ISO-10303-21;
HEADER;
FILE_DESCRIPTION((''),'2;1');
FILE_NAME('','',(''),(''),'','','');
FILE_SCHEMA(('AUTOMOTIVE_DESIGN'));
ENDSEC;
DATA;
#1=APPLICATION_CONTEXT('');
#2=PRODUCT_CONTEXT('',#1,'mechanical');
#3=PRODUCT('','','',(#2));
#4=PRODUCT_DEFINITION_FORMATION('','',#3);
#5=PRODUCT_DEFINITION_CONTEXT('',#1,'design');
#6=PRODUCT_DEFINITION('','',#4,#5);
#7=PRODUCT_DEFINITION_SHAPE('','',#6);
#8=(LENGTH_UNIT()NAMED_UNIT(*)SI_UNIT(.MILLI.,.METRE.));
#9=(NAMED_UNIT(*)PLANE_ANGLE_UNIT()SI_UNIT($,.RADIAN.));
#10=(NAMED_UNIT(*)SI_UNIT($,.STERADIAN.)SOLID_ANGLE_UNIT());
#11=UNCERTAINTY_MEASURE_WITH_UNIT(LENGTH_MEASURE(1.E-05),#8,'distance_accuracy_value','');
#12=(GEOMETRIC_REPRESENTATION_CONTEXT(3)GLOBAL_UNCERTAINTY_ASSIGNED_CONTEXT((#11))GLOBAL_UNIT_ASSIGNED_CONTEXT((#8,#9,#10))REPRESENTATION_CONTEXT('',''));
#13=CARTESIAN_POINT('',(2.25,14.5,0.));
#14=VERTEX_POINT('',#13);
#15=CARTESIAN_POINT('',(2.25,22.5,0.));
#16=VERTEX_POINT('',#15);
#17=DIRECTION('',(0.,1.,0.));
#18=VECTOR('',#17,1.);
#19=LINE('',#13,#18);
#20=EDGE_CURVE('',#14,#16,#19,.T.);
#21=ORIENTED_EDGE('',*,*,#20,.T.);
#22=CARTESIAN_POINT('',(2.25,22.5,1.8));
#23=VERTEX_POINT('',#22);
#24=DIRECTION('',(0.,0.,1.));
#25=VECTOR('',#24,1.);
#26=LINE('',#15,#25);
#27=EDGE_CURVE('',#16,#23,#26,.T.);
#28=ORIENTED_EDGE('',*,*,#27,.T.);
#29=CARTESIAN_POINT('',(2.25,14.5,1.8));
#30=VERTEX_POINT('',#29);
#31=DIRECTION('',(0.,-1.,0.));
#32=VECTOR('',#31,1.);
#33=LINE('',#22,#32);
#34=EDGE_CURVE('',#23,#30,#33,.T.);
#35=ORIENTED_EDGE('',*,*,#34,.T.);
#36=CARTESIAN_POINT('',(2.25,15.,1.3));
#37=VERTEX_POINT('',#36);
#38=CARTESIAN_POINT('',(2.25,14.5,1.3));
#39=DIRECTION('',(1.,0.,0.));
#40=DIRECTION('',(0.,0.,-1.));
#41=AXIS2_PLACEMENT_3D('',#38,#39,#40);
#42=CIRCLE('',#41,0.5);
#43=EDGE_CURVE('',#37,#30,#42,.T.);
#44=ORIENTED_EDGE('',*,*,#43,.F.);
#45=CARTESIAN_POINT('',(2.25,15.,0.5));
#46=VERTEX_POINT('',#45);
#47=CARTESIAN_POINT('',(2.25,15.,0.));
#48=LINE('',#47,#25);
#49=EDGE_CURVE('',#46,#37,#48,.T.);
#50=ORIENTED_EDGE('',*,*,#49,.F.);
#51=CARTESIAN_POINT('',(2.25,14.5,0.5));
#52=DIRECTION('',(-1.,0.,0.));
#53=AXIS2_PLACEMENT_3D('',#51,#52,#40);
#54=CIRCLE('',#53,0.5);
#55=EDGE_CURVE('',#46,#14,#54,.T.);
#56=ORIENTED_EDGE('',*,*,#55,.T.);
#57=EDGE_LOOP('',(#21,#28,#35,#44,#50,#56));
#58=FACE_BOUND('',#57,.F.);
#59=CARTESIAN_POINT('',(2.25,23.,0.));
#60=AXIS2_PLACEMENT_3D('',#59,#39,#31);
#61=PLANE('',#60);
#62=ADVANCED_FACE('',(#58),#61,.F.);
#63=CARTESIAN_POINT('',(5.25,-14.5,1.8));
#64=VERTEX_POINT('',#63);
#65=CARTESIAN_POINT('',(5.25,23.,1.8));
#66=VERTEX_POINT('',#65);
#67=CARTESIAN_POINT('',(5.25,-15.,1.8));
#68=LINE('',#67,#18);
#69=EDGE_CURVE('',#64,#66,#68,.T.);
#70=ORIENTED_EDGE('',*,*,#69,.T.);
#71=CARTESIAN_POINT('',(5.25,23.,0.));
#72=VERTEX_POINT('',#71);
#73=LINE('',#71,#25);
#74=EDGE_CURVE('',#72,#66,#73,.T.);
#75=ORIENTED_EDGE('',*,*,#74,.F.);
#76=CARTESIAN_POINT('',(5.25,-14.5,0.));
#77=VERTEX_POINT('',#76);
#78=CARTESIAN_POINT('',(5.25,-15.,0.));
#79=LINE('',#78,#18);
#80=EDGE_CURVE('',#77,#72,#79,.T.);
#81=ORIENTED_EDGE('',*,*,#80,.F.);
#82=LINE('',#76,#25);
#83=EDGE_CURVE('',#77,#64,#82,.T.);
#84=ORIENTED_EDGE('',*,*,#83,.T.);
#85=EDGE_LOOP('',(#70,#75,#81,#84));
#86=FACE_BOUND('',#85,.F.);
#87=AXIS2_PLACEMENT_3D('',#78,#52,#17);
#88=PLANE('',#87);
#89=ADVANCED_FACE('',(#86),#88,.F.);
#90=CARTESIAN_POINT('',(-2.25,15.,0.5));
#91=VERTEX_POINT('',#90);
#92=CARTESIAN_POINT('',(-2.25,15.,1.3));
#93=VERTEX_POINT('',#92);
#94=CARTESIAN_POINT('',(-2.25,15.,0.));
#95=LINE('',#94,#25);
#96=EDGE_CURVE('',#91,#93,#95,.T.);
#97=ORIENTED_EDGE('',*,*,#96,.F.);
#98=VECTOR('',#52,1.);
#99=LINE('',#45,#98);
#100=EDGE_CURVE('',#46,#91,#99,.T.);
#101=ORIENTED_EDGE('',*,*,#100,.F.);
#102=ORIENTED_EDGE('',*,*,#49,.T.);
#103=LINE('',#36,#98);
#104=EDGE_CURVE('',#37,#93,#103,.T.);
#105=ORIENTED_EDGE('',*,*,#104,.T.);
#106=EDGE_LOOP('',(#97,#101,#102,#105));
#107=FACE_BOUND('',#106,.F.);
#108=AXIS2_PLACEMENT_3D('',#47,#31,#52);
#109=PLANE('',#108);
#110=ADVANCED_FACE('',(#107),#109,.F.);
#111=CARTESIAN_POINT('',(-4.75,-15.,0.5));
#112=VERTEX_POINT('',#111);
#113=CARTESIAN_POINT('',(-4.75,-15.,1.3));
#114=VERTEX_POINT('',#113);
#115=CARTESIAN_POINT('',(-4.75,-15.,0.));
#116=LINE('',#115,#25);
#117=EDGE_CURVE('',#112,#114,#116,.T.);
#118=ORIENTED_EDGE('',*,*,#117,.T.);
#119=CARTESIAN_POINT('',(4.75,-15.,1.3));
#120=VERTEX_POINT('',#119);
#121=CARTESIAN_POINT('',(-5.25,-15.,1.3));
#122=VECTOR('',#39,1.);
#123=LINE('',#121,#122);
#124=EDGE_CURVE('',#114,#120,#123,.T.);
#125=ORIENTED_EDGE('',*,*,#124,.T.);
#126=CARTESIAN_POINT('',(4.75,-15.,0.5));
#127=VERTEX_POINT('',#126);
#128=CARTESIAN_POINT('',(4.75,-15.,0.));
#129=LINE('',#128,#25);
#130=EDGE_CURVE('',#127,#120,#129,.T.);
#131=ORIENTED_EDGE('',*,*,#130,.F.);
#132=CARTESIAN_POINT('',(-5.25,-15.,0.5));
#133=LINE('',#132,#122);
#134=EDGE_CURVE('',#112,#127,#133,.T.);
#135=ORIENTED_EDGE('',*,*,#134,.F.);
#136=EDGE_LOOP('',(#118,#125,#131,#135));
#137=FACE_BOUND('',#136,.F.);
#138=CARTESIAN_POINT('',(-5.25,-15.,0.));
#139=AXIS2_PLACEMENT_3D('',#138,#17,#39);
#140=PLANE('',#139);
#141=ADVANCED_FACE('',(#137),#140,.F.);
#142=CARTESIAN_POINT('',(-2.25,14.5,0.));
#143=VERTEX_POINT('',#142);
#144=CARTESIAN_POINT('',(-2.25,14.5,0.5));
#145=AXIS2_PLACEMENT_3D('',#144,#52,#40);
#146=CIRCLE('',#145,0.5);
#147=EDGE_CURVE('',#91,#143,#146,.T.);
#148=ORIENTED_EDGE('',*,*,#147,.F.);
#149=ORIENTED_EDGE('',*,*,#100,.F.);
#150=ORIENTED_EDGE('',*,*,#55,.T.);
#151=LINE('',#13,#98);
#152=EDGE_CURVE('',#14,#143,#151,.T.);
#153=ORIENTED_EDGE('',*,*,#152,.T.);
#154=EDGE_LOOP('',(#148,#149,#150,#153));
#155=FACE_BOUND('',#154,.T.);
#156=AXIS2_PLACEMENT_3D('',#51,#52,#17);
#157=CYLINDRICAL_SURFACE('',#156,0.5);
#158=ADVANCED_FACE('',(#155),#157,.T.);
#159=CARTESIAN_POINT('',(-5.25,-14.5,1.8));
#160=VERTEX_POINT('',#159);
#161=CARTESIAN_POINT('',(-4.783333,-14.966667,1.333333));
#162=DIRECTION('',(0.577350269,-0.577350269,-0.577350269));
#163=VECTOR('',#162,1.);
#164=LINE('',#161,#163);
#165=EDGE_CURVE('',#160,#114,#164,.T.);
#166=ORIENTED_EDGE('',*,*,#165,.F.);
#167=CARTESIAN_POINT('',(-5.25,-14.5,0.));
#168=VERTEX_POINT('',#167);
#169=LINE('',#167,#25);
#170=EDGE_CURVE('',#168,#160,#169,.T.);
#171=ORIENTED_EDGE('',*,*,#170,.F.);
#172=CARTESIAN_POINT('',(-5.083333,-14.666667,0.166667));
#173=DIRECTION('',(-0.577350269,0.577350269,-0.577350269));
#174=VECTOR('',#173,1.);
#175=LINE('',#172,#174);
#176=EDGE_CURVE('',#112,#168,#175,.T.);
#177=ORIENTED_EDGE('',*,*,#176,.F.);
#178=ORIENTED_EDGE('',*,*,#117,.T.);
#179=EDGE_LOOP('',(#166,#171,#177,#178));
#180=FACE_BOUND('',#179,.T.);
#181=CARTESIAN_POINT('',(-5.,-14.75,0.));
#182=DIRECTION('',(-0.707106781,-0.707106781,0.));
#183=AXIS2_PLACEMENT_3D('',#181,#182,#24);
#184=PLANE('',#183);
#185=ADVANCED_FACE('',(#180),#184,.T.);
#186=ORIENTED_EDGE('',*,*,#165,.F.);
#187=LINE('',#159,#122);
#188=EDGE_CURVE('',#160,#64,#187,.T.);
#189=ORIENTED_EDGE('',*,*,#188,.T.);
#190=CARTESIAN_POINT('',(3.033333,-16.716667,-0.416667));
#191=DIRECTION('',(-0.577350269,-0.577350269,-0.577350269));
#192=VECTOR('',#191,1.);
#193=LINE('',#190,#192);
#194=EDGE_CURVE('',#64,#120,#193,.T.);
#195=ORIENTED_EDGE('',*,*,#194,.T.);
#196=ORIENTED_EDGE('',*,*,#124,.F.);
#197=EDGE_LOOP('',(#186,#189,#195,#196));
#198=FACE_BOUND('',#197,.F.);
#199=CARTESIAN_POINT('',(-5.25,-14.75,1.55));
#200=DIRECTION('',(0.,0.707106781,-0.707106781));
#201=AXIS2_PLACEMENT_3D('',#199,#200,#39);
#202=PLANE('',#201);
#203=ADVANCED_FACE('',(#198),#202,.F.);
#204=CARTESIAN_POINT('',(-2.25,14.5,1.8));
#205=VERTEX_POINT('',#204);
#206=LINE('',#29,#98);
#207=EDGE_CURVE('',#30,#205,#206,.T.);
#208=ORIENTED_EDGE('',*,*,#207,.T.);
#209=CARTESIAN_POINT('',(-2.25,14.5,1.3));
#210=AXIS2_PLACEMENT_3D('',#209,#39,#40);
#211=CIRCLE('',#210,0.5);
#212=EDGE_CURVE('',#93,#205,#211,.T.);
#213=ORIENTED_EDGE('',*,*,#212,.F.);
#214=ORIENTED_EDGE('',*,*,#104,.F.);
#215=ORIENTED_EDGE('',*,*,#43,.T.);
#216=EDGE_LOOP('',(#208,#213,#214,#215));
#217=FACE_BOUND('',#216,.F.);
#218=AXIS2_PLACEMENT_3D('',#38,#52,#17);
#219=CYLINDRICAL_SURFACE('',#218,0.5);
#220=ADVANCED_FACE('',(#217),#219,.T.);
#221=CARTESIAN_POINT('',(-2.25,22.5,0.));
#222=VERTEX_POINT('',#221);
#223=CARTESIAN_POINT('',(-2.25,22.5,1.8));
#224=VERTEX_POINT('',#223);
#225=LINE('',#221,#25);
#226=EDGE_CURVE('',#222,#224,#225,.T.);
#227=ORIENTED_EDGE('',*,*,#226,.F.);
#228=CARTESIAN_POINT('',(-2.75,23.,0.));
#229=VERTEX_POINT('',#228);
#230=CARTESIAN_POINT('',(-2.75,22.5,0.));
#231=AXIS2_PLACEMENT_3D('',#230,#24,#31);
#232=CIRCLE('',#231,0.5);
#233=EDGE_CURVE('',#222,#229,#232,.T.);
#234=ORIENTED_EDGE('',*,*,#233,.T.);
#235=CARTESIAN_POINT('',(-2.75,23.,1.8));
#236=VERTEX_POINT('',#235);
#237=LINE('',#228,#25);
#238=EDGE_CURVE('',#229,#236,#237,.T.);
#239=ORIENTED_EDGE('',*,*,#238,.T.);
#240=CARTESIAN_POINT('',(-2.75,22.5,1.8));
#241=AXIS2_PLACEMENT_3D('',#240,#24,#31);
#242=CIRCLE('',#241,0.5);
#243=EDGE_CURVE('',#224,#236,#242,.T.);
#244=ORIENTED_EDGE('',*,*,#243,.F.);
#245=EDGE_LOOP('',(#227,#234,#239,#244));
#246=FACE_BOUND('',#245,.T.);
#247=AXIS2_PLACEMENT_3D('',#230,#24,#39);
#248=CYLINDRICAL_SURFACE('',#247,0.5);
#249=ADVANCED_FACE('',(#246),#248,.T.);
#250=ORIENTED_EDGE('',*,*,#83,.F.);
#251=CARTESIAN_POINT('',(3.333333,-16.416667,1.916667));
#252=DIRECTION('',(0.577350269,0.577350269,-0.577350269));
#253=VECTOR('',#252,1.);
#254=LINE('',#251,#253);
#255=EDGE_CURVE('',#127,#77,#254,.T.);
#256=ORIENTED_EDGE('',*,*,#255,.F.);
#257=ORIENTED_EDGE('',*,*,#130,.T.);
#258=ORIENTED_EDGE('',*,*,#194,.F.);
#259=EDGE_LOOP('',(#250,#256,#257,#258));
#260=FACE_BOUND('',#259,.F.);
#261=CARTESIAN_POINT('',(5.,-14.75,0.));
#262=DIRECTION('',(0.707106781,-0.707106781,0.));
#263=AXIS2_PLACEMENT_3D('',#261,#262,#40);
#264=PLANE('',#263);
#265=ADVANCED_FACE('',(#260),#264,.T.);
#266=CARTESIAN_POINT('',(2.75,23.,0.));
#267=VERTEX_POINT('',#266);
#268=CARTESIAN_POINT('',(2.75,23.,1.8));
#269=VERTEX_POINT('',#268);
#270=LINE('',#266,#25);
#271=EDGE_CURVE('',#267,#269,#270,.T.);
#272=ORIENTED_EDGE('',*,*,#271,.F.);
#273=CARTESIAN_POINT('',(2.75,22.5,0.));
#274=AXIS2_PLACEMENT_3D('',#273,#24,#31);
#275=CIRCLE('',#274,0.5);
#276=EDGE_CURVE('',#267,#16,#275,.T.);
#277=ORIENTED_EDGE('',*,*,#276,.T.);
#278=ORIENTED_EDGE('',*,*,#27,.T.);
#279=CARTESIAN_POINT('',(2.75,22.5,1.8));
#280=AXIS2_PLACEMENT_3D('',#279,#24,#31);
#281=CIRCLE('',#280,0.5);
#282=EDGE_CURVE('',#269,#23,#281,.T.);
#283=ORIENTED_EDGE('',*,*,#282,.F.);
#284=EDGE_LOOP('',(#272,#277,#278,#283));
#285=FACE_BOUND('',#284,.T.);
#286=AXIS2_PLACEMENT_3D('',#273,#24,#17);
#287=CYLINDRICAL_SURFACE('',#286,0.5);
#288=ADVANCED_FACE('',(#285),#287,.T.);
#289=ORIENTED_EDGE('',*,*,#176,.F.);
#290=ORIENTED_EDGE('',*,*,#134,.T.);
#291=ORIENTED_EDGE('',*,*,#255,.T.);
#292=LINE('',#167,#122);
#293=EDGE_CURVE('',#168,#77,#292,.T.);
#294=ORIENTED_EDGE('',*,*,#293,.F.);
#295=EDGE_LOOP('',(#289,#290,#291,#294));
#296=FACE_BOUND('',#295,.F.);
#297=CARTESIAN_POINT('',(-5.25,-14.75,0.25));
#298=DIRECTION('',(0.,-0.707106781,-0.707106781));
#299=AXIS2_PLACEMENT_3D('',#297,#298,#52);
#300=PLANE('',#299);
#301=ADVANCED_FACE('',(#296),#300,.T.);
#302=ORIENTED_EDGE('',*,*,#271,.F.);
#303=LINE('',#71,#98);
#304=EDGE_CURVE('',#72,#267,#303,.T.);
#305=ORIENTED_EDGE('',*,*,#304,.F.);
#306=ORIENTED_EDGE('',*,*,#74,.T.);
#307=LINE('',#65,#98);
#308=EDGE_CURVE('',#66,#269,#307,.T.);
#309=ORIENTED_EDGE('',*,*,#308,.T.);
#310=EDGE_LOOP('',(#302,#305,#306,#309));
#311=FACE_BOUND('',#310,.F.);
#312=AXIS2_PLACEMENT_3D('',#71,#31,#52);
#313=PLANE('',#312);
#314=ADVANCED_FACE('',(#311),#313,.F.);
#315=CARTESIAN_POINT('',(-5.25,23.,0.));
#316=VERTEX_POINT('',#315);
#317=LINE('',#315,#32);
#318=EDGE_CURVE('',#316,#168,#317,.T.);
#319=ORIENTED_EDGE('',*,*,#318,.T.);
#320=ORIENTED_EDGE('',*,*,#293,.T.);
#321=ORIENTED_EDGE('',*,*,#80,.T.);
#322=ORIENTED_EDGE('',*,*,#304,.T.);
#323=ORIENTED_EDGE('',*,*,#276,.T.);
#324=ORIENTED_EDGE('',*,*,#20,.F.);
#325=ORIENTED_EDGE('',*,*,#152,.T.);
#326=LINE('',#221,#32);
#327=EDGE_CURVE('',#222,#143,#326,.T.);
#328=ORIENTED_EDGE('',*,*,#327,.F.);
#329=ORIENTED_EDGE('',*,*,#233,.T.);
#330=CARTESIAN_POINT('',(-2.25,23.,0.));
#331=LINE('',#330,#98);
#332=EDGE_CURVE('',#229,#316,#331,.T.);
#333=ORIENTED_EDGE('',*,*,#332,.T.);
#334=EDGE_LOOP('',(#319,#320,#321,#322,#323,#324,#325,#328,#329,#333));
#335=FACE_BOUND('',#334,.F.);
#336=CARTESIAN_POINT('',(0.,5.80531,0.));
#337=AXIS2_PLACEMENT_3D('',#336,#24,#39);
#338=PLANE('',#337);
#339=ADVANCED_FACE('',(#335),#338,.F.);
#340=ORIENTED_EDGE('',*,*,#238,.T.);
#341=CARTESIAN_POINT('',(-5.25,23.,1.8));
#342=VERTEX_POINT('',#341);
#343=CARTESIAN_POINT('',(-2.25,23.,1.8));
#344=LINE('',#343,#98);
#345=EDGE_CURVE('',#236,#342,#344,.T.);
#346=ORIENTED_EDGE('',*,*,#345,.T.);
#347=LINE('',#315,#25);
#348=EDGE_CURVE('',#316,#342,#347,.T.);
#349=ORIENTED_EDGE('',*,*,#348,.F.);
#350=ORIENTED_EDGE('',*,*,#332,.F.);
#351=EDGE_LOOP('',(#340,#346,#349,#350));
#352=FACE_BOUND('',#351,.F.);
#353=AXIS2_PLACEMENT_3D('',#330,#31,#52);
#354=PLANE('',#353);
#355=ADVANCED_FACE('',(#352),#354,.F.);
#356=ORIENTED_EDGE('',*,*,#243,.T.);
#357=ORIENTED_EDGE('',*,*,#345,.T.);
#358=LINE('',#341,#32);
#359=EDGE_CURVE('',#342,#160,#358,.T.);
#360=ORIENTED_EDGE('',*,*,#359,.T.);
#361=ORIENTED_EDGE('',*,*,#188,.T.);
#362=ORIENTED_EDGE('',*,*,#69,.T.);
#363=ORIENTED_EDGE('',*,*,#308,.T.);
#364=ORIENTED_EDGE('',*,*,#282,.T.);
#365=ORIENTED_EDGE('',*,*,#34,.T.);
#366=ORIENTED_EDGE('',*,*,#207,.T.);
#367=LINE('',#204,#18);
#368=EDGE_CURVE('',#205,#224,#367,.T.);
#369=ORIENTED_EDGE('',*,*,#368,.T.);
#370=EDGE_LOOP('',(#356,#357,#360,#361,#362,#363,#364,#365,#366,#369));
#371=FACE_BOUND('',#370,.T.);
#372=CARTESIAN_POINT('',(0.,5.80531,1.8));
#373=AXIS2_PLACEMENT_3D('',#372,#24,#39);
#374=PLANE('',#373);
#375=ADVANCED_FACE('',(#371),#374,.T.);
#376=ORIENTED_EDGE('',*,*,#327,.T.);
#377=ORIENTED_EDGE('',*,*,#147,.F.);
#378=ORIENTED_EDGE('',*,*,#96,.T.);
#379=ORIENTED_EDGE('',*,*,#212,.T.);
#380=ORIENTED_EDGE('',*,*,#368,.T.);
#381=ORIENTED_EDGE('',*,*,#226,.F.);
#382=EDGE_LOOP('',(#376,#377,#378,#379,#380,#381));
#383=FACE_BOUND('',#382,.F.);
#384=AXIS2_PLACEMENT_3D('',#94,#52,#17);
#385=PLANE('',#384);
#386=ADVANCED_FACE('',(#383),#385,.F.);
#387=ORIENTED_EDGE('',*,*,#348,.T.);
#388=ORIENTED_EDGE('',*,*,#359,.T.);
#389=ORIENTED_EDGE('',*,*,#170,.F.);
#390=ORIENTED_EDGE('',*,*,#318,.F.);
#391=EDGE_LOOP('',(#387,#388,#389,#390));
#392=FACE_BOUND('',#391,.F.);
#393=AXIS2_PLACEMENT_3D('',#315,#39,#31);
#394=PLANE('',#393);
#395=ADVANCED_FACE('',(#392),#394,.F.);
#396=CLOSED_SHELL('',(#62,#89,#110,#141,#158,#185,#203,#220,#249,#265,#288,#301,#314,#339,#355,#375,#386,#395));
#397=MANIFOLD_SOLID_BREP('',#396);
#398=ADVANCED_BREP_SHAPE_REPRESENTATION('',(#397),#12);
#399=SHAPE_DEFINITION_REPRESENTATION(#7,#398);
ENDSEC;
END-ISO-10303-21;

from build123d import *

# Parameters (mm, degrees)
F1_DEPTH = 1.8
F2_R     = 0.5
F3_SIZE  = 0.5


with BuildPart() as f1:
    # F0 (on Top) → F1 (new body)
    with BuildSketch(Plane.XY):
        Polygon((-5.25, -15), (5.25, -15), (5.25, 15), (5.25, 23), (2.25, 23), (2.25, 15), (-2.25, 15), (-2.25, 23), (-5.25, 23), (-5.25, 15), align=None)
    extrude(amount=F1_DEPTH)

    # F2
    f2_edges = [f1.edges().sort_by_distance(p)[0] for p in [
        (-2.25, 23, 0.9),
        (2.25, 23, 0.9),
        (0, 15, 1.8),
        (0, 15, 0),
    ]]
    fillet(f2_edges, radius=F2_R)

    # F3
    f3_edges = [f1.edges().sort_by_distance(p)[0] for p in [
        (0, -15, 1.8),
        (5.25, -15, 0.9),
        (0, -15, 0),
        (-5.25, -15, 0.9),
    ]]
    chamfer(f3_edges, length=F3_SIZE)


solid = f1.part
